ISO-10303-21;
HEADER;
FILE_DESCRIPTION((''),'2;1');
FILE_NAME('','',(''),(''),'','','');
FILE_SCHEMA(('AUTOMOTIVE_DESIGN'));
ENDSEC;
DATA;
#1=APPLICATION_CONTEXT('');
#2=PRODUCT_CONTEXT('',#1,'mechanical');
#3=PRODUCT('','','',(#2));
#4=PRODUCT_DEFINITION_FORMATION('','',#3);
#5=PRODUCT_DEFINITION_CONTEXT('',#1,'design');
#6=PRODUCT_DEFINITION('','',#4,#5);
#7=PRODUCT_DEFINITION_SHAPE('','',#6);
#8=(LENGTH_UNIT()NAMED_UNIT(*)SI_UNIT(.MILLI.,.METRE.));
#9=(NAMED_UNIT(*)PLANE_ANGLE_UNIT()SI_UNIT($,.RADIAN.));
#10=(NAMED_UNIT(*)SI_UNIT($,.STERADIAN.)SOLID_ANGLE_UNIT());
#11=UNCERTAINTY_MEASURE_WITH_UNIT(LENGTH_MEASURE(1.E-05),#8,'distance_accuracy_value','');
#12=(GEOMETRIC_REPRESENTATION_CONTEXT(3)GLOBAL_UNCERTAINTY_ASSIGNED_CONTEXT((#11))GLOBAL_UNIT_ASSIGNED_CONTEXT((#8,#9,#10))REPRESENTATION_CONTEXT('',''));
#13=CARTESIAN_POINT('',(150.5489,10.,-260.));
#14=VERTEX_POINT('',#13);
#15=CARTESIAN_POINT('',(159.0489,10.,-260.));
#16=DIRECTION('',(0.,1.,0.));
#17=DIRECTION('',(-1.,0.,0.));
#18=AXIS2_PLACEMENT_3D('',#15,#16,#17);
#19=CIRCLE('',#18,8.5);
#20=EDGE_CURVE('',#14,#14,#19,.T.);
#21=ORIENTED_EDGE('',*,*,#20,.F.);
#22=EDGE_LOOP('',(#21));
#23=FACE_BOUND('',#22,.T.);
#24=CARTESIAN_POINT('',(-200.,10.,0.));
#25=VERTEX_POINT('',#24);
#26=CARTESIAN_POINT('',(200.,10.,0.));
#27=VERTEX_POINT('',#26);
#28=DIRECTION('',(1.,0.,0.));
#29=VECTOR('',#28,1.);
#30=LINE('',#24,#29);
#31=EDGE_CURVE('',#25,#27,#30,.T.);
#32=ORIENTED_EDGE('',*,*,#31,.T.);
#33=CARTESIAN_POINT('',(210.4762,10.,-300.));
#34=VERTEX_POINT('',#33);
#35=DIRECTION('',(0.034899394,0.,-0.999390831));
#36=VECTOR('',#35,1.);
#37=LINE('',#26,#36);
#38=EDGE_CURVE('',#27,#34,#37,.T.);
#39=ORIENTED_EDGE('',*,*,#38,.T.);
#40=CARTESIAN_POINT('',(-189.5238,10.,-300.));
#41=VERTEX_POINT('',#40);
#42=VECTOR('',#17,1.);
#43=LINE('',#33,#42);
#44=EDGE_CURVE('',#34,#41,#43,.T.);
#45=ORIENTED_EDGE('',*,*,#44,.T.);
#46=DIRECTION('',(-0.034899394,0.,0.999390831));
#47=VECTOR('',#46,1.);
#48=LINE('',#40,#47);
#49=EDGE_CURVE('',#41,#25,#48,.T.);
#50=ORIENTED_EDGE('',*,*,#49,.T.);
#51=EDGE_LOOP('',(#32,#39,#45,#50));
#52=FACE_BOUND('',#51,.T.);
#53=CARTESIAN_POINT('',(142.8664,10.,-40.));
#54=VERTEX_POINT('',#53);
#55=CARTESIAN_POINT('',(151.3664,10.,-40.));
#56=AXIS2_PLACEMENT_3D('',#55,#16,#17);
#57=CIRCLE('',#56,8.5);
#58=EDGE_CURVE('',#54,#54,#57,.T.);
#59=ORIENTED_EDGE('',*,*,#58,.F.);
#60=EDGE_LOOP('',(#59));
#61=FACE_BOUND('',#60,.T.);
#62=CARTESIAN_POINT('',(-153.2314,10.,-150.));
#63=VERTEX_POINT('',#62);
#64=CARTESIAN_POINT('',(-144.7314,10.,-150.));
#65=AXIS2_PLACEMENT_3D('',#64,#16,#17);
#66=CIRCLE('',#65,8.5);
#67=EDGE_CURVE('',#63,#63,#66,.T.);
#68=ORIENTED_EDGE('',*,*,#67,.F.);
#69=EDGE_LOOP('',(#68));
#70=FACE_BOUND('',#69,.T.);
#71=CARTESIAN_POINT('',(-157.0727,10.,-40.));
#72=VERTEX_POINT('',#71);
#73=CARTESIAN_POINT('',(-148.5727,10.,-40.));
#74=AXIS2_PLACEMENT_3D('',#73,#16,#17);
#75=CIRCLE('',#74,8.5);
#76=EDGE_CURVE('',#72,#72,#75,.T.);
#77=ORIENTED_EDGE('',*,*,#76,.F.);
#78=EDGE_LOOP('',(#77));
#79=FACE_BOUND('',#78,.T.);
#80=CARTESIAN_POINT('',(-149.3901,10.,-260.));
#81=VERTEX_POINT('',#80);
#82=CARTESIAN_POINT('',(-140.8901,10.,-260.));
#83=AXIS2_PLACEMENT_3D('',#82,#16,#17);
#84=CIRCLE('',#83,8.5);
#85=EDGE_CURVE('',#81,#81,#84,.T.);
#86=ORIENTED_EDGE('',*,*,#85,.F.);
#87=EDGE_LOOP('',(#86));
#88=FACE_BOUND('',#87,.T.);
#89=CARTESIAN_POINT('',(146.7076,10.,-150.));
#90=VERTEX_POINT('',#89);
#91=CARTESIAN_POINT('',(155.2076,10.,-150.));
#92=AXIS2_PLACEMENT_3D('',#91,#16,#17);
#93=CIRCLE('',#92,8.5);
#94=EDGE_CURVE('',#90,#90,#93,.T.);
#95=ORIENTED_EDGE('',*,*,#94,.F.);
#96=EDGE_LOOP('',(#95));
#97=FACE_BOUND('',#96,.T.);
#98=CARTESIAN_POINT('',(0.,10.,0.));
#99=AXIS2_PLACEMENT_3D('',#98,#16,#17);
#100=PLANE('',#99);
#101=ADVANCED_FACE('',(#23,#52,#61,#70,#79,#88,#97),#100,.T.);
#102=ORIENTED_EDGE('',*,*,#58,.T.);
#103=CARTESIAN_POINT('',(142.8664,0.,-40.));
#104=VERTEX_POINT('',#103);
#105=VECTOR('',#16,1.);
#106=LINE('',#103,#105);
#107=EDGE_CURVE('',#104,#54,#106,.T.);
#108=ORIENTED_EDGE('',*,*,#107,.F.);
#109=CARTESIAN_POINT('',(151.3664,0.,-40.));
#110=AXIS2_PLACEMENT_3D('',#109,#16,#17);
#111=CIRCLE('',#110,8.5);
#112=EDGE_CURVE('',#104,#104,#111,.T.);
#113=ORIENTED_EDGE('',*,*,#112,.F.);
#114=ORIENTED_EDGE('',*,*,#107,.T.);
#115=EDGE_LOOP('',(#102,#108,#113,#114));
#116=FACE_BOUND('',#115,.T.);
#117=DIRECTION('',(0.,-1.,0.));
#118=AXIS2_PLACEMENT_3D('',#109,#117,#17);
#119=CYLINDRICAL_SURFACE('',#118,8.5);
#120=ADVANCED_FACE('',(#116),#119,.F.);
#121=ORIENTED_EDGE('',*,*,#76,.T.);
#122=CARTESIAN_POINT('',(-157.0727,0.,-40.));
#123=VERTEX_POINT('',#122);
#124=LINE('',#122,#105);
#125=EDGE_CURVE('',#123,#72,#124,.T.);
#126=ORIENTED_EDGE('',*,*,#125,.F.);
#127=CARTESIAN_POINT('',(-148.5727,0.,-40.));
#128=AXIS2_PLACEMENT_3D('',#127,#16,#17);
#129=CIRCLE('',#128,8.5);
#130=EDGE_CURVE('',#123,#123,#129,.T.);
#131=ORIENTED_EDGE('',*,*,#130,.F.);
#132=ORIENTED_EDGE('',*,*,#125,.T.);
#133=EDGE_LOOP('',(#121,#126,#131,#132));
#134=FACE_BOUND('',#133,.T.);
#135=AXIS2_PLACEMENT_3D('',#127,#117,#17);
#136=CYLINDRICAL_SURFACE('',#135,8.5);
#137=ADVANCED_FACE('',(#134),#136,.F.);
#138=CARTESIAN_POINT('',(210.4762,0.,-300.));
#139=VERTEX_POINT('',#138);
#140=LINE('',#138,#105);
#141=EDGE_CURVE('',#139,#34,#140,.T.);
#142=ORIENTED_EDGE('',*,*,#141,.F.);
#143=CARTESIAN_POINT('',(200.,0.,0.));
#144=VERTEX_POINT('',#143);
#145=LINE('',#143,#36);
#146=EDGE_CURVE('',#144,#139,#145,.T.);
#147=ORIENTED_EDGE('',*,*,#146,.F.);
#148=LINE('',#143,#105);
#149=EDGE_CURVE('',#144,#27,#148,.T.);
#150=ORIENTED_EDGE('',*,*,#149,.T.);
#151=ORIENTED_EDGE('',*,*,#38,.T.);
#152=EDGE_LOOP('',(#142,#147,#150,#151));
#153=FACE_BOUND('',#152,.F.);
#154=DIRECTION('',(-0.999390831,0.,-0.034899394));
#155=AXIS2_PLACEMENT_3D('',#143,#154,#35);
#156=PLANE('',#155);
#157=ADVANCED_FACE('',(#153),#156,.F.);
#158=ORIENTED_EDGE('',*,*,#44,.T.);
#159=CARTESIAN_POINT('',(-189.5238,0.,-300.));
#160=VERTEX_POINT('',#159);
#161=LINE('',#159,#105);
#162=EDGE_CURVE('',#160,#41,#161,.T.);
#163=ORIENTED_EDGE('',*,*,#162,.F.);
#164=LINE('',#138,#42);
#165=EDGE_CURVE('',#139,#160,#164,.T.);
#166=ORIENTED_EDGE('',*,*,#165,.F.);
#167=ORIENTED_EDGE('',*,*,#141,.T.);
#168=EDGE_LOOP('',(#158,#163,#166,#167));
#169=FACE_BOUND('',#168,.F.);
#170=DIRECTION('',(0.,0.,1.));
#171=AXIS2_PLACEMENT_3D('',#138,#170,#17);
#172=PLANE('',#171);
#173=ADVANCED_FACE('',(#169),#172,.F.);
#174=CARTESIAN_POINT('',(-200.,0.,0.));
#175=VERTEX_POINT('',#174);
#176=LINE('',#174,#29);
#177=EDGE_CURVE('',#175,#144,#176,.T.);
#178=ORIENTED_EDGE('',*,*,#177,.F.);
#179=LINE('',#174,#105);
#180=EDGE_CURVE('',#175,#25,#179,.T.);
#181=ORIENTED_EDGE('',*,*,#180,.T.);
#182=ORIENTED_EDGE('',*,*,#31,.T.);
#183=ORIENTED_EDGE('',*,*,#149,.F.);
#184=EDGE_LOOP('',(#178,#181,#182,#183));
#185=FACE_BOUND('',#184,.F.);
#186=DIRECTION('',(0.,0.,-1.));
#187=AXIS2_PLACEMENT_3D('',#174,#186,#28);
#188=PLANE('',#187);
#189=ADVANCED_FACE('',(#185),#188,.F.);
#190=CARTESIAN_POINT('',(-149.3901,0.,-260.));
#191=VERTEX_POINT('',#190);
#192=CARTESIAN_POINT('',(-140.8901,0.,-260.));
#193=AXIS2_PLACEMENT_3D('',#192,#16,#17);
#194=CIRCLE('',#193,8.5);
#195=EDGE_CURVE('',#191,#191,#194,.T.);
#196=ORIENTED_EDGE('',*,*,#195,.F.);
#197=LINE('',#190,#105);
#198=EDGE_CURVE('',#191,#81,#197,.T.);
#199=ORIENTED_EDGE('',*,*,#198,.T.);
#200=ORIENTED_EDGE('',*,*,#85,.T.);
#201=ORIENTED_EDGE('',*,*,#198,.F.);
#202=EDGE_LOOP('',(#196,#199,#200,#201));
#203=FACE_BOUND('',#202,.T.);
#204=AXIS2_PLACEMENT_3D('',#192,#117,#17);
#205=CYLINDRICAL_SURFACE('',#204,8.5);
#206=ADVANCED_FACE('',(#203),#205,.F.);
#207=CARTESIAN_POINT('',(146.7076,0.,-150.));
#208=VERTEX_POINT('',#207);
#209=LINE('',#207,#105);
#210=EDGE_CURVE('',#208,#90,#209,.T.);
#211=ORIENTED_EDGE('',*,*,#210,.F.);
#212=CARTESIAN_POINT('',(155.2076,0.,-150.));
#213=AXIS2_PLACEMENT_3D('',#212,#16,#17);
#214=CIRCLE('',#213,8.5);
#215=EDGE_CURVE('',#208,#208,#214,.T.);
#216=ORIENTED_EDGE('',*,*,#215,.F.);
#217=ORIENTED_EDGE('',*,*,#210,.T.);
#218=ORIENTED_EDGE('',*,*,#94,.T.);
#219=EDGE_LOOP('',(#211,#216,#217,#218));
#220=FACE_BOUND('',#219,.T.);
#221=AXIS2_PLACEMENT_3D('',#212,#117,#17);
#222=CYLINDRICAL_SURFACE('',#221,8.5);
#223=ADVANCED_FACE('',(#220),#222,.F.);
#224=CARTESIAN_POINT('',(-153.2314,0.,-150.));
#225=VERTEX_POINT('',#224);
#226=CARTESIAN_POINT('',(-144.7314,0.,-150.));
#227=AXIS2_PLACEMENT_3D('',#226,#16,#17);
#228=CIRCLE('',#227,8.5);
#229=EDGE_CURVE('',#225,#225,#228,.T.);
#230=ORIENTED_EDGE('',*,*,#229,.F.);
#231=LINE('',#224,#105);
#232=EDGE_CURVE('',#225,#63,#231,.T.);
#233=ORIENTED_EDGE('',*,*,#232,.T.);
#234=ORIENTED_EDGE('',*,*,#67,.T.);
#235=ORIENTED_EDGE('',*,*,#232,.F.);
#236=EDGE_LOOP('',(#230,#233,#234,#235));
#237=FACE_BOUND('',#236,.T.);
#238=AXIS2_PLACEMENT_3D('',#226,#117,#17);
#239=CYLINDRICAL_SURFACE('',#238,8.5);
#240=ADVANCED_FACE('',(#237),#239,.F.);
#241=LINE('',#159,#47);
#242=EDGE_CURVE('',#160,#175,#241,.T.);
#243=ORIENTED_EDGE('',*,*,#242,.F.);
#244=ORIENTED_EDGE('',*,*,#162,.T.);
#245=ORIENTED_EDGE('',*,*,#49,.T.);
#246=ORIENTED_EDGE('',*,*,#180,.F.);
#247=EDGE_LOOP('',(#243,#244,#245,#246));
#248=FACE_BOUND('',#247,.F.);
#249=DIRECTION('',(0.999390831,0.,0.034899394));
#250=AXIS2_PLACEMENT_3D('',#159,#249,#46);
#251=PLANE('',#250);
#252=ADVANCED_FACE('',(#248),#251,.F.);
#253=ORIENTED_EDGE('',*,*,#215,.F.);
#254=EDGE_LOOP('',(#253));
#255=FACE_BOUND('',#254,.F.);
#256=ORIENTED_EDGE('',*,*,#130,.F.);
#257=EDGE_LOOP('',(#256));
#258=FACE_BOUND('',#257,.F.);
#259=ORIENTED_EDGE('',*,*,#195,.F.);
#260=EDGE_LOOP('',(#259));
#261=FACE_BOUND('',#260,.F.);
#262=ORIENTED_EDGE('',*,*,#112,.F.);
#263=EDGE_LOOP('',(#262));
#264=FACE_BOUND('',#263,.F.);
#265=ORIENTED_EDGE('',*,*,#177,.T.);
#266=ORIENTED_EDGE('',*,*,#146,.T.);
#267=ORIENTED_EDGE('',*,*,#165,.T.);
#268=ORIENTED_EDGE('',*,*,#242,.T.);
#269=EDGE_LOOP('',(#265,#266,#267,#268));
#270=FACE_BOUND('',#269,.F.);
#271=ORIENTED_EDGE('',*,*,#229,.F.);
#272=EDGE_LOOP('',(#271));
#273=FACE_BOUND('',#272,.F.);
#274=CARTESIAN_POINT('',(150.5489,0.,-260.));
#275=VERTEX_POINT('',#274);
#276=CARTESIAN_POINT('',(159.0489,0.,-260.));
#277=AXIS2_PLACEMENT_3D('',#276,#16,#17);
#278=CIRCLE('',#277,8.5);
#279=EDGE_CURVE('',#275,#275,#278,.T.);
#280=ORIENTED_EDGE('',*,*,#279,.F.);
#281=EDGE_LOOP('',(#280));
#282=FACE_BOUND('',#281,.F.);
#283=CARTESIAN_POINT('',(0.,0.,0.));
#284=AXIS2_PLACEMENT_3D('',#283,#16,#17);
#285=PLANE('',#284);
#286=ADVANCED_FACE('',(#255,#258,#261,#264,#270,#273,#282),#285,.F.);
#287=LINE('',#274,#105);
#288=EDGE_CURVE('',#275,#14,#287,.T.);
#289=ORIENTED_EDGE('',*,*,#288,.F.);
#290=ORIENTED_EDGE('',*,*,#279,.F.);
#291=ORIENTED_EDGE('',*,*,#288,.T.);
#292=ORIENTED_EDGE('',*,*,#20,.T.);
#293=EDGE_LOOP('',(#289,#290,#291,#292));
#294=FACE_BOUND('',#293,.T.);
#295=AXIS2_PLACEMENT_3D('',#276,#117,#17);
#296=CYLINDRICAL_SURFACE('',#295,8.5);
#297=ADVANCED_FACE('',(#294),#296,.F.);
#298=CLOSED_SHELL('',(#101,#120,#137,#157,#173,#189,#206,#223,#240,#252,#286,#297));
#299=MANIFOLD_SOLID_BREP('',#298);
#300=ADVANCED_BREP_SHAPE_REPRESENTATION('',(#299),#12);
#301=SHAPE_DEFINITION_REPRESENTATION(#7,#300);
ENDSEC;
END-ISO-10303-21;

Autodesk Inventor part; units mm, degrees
ref_plane "YZ Plane" through (0, 0, 0) normal (1, 0, 0) x (0, 1, 0)
ref_plane "XZ Plane" through (0, 0, 0) normal (0, 1, 0) x (-1, 0, 0)
ref_plane "XY Plane" through (0, 0, 0) normal (0, 0, 1) x (1, 0, 0)
sketch "Sketch5" plane through (0, 0, 0) normal (0, 1, 0) x (-1, 0, 0)
  line L0 (200, 0) -> (-200, 0)
  line L1 (-210.4762, -300) -> (189.5238, -300)
  line L2 (189.5238, -300) -> (200, 0)
  line L3 (-200, 0) -> (-210.4762, -300)
  line L4 (-200, 0) -> (-200, -300) construction
  line L5 (-151.3664, -40) -> (-159.0489, -260) construction
  line L6 (148.5727, -40) -> (140.8901, -260) construction
  line L7 (140.8901, -260) -> (190.8597, -261.745) construction
  line L8 (-159.0489, -260) -> (-209.0185, -258.255) construction
  circle A0 centre (148.5727, -40) radius 8.5
  circle A1 centre (144.7314, -150) radius 8.5
  circle A2 centre (140.8901, -260) radius 8.5
  circle A3 centre (-151.3664, -40) radius 8.5
  circle A4 centre (-155.2076, -150) radius 8.5
  circle A5 centre (-159.0489, -260) radius 8.5
  point P0 (0, 0)
  point P1 (0, 0)
  dimension "d26" = 400
  dimension "d27" = 2
  dimension "d28" = 400
  dimension "d29" = 300
  dimension "d31" = 50
  dimension "d33" = 40
  dimension "d34" = 40
  dimension "d35" = 17
extrude "Plate3" add sketch "Sketch5" along normal blind 10
equation "\"d28\" = d26"
equation "\"d34\" = d33"
equation "\"d30\" = Thickness"
equation "\"BendReliefDepth\" = 0.5 * Thickness"
equation "\"Thickness\" = 10"
properties part number "полка под швеллер"
